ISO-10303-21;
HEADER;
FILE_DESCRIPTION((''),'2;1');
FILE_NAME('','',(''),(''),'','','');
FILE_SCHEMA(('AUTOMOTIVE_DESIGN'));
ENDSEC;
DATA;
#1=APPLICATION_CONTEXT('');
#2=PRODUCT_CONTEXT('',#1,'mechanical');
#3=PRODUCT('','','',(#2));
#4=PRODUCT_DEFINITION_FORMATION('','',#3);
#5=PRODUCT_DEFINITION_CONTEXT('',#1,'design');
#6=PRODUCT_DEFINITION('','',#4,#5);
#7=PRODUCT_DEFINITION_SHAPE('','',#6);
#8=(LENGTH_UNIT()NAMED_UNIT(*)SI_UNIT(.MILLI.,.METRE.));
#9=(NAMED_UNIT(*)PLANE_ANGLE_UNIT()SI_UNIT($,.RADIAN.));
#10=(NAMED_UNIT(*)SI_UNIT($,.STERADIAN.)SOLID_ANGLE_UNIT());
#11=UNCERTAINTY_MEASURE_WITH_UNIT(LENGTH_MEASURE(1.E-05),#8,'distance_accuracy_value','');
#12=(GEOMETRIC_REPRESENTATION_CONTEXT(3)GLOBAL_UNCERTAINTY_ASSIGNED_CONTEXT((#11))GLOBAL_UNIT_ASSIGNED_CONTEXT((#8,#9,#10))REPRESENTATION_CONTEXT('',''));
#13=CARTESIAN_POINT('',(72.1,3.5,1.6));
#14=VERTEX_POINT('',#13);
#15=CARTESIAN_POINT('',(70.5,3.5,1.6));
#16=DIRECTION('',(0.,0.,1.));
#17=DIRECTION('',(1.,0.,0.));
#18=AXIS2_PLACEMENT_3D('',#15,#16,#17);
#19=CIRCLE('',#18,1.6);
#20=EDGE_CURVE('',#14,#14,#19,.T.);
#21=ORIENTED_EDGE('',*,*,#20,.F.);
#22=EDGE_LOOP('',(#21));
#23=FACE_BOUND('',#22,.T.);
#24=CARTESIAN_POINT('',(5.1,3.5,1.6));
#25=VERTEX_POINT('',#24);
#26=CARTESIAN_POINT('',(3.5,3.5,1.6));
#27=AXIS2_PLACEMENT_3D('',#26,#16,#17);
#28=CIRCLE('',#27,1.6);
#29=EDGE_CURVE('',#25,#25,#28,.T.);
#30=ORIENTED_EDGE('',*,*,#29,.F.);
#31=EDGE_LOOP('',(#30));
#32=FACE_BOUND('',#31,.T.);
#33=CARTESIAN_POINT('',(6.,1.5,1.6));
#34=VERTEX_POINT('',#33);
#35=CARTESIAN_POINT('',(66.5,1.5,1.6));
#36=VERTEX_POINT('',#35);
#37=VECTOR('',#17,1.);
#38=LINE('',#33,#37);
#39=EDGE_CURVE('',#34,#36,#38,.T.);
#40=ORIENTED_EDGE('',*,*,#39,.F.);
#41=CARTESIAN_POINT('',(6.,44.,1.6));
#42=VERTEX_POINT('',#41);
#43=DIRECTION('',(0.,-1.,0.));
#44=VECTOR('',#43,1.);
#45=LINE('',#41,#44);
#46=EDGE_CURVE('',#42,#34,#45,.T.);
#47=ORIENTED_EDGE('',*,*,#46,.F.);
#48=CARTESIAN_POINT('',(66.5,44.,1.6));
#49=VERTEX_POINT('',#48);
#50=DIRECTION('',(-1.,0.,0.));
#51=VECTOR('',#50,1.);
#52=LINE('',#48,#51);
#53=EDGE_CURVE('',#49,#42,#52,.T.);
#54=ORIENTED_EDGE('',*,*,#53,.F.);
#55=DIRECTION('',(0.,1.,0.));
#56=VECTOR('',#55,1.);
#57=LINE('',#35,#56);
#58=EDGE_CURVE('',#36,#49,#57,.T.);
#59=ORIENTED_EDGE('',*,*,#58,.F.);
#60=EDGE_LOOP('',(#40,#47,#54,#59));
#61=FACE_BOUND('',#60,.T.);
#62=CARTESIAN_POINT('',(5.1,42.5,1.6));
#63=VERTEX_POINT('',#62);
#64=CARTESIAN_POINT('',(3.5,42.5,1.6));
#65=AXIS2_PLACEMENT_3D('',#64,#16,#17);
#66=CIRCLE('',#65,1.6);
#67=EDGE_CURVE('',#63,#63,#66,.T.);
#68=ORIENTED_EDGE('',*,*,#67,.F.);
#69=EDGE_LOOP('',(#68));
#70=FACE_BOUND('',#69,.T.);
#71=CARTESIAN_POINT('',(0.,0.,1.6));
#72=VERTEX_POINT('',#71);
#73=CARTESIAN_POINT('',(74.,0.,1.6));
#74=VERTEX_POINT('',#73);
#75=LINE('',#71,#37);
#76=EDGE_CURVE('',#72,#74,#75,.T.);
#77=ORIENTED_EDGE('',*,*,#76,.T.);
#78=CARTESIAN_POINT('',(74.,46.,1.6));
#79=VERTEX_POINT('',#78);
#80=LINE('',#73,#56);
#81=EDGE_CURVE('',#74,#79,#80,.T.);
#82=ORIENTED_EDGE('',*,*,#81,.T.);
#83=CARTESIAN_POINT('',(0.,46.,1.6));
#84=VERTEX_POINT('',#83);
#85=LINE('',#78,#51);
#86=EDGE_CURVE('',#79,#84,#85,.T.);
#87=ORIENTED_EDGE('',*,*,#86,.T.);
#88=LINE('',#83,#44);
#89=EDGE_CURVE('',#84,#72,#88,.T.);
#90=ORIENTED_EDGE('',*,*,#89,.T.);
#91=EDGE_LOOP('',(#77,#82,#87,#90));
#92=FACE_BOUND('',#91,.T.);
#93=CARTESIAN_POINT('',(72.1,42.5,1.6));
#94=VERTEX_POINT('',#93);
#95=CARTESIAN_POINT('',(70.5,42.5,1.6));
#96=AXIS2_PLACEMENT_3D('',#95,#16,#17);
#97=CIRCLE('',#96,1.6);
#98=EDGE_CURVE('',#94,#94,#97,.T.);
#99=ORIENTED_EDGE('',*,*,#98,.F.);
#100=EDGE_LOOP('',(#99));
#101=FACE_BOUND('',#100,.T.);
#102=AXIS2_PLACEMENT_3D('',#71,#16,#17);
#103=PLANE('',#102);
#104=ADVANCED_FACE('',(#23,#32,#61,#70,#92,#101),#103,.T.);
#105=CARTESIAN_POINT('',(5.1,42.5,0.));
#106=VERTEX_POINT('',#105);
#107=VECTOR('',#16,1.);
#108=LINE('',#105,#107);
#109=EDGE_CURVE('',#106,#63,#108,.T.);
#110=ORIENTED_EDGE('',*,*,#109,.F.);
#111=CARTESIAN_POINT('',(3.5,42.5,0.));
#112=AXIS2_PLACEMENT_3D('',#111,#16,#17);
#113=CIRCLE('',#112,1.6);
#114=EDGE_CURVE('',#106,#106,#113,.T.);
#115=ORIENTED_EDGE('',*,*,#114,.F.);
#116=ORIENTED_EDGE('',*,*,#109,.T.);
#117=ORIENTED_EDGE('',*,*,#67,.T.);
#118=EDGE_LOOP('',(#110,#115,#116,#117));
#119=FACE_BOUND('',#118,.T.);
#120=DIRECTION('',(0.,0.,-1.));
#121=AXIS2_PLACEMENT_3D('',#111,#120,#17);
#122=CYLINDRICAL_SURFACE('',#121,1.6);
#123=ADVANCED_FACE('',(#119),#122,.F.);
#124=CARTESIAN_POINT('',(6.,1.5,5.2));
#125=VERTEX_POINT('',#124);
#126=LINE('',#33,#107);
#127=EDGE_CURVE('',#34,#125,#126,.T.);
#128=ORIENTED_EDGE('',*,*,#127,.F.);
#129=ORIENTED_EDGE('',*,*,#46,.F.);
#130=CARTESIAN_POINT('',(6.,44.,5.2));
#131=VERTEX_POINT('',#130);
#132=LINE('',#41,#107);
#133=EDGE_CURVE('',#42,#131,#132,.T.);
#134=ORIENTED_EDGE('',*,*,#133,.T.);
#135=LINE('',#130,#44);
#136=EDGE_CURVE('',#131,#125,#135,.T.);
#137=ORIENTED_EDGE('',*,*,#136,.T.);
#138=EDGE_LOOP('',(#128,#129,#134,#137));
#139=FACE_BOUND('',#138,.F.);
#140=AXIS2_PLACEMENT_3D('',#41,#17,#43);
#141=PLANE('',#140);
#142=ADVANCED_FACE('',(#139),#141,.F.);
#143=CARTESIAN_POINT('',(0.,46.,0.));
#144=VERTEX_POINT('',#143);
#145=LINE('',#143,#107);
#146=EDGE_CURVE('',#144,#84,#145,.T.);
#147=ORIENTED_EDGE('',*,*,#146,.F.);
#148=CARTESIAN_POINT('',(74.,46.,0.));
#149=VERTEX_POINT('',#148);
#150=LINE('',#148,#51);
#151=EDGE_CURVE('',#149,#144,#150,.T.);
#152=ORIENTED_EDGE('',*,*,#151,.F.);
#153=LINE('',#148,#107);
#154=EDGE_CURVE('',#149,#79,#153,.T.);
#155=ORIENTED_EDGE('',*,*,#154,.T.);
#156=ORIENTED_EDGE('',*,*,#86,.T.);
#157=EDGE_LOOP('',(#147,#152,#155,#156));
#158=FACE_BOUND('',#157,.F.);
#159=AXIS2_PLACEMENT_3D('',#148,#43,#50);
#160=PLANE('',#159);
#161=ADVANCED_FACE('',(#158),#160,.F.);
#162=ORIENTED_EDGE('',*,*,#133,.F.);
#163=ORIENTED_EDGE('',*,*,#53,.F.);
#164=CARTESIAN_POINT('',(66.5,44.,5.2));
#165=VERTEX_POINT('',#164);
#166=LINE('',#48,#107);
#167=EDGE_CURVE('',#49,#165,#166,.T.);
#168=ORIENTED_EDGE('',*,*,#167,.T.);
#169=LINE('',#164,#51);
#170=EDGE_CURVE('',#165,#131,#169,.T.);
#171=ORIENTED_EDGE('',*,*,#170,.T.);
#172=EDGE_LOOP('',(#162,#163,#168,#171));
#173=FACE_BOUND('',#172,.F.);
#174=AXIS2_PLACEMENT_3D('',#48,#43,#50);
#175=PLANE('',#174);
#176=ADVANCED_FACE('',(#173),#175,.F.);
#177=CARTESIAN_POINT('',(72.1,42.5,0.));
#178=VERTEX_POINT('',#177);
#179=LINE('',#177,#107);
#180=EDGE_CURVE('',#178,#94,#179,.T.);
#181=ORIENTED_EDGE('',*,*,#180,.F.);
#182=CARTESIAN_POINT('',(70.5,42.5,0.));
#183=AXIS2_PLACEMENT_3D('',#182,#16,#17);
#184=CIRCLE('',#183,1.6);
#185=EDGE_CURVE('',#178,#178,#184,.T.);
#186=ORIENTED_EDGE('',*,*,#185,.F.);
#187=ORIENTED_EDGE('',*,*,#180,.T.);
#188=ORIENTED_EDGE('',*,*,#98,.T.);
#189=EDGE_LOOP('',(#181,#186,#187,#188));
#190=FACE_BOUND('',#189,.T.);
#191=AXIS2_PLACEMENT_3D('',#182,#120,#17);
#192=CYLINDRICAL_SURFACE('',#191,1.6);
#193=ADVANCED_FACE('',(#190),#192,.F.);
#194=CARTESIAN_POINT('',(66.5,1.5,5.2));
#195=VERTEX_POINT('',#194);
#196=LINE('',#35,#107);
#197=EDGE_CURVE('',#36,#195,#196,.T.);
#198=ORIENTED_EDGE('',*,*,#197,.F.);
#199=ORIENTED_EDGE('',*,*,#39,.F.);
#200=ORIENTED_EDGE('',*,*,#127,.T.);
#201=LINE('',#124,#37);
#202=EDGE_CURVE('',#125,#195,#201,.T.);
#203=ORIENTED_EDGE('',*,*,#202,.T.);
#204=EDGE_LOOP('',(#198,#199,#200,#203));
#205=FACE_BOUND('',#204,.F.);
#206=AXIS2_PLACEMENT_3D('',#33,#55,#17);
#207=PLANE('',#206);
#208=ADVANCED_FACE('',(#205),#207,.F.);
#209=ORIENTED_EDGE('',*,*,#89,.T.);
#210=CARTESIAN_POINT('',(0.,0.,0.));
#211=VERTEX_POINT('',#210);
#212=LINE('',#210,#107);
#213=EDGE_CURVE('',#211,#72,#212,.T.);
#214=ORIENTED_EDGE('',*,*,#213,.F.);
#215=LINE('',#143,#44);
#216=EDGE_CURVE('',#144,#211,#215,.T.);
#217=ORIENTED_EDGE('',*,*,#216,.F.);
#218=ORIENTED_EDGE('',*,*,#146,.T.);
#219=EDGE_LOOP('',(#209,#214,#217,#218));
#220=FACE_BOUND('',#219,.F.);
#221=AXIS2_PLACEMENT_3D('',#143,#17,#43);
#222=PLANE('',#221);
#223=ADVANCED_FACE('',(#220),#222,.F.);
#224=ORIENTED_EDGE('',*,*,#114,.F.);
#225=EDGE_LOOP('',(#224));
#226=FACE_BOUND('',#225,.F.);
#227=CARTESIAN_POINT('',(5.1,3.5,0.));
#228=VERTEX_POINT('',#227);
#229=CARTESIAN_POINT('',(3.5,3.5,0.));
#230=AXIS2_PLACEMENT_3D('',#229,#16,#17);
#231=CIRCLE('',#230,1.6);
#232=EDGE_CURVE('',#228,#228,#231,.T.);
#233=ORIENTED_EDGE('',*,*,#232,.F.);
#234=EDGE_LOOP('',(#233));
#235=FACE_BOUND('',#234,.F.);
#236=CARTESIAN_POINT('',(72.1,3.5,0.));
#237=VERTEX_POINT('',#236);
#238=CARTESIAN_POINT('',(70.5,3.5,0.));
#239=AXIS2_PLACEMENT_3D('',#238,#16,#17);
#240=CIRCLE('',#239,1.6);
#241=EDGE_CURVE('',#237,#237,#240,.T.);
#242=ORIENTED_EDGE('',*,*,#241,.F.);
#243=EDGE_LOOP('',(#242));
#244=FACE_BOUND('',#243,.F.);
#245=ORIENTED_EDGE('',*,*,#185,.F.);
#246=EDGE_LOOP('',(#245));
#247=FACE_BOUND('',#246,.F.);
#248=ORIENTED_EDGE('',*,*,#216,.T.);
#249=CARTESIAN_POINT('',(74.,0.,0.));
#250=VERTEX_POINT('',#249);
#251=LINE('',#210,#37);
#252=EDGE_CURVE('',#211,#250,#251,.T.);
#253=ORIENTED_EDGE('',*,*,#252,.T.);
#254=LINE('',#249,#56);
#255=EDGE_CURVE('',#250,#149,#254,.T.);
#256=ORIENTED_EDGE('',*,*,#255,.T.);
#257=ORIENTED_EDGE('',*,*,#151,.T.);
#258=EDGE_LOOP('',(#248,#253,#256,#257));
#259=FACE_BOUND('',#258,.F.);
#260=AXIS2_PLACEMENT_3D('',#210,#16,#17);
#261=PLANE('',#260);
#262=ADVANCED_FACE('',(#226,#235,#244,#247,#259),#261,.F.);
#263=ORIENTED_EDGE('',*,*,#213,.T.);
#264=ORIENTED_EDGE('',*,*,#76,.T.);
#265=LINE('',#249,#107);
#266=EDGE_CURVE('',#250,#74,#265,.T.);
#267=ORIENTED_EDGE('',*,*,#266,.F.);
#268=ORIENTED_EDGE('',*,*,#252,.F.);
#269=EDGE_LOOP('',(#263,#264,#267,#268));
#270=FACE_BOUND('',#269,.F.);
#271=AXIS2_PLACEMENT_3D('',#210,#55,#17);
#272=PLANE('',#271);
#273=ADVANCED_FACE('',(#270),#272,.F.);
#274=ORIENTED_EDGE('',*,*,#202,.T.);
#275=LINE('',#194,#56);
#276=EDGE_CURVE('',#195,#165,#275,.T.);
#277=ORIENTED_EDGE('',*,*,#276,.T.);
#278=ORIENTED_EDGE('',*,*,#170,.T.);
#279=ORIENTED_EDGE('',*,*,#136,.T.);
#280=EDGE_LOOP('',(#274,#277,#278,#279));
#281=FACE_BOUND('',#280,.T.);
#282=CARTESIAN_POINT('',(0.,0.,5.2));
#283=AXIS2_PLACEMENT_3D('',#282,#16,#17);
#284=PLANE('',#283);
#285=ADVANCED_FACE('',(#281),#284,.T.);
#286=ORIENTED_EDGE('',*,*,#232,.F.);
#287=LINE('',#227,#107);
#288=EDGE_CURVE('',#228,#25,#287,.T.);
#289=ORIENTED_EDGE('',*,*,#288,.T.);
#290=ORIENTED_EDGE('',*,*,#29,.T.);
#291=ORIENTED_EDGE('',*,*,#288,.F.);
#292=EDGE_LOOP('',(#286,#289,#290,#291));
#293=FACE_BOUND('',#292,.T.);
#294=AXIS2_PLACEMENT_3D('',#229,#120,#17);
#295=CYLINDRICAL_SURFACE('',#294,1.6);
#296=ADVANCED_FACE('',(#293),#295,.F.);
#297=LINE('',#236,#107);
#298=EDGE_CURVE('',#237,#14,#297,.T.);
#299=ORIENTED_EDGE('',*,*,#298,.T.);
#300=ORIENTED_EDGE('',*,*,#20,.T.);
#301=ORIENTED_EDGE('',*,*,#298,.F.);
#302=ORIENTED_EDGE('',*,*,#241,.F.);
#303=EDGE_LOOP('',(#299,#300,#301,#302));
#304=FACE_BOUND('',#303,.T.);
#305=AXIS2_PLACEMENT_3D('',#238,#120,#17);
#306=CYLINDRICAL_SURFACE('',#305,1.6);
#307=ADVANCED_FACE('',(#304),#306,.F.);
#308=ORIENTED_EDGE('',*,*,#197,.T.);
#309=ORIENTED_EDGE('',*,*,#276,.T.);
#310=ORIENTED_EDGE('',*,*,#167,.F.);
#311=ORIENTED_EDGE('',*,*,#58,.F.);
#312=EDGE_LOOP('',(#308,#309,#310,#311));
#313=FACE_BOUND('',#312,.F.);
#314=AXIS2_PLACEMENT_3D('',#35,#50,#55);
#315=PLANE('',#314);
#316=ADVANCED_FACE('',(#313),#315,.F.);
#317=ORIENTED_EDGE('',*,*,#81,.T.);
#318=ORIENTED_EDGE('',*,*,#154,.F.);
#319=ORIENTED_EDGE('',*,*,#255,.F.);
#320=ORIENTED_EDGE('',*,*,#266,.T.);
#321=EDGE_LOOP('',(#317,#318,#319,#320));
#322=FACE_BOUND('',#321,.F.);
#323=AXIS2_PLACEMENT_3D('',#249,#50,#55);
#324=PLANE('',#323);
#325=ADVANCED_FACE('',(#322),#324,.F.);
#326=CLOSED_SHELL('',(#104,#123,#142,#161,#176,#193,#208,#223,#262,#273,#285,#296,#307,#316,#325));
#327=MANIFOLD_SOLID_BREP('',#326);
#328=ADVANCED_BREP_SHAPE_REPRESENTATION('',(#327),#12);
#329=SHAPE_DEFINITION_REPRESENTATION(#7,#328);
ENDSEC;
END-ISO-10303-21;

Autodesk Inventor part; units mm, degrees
ref_plane "YZ Plane" through (0, 0, 0) normal (1, 0, 0) x (0, 1, 0)
ref_plane "XZ Plane" through (0, 0, 0) normal (0, 1, 0) x (-1, 0, 0)
ref_plane "XY Plane" through (0, 0, 0) normal (0, 0, 1) x (1, 0, 0)
sketch "スケッチ1" plane through (0, 0, 0) normal (0, 0, 1) x (1, 0, 0)
  line L0 (0, 0) -> (74, 0)
  line L1 (74, 0) -> (74, 46)
  line L2 (74, 46) -> (0, 46)
  line L3 (0, 46) -> (0, 0)
  circle A0 centre (3.5, 42.5) radius 1.6
  circle A1 centre (3.5, 3.5) radius 1.6
  circle A2 centre (70.5, 3.5) radius 1.6
  circle A3 centre (70.5, 42.5) radius 1.6
  line L4 (5, 33) -> (2, 33)
  line L5 (2, 33) -> (2, 13)
  line L6 (2, 13) -> (5, 13)
  line L7 (5, 13) -> (5, 33)
  line L8 (6, 1.5) -> (66.5, 1.5)
  line L9 (66.5, 1.5) -> (66.5, 44)
  line L10 (66.5, 44) -> (6, 44)
  line L11 (6, 44) -> (6, 1.5)
extrude "押し出し1" add sketch "スケッチ1" along normal blind 1.6 contours L3 L2 L1 L0 | L7 L6 L5 L4 | L11 L10 L9 L8
sketch "スケッチ3" plane through (0, 0, 1.6) normal (0, 0, 1) x (1, 0, 0)
  line L0 (0, 0) -> (74, 0)
  line L1 (74, 0) -> (74, 46)
  line L2 (74, 46) -> (0, 46)
  line L3 (0, 46) -> (0, 0)
  circle A0 centre (3.5, 42.5) radius 1.6
  circle A1 centre (3.5, 3.5) radius 1.6
  circle A2 centre (70.5, 3.5) radius 1.6
  circle A3 centre (70.5, 42.5) radius 1.6
  line L4 (5, 33) -> (2, 33)
  line L5 (2, 33) -> (2, 13)
  line L6 (2, 13) -> (5, 13)
  line L7 (5, 13) -> (5, 33)
  line L8 (6, 1.5) -> (66.5, 1.5)
  line L9 (66.5, 1.5) -> (66.5, 44)
  line L10 (66.5, 44) -> (6, 44)
  line L11 (6, 44) -> (6, 1.5)
extrude "押し出し2" add sketch "スケッチ3" along normal blind 3.6 contours L11 L10 L9 L8
properties part number "M024-ILI9328 data"
